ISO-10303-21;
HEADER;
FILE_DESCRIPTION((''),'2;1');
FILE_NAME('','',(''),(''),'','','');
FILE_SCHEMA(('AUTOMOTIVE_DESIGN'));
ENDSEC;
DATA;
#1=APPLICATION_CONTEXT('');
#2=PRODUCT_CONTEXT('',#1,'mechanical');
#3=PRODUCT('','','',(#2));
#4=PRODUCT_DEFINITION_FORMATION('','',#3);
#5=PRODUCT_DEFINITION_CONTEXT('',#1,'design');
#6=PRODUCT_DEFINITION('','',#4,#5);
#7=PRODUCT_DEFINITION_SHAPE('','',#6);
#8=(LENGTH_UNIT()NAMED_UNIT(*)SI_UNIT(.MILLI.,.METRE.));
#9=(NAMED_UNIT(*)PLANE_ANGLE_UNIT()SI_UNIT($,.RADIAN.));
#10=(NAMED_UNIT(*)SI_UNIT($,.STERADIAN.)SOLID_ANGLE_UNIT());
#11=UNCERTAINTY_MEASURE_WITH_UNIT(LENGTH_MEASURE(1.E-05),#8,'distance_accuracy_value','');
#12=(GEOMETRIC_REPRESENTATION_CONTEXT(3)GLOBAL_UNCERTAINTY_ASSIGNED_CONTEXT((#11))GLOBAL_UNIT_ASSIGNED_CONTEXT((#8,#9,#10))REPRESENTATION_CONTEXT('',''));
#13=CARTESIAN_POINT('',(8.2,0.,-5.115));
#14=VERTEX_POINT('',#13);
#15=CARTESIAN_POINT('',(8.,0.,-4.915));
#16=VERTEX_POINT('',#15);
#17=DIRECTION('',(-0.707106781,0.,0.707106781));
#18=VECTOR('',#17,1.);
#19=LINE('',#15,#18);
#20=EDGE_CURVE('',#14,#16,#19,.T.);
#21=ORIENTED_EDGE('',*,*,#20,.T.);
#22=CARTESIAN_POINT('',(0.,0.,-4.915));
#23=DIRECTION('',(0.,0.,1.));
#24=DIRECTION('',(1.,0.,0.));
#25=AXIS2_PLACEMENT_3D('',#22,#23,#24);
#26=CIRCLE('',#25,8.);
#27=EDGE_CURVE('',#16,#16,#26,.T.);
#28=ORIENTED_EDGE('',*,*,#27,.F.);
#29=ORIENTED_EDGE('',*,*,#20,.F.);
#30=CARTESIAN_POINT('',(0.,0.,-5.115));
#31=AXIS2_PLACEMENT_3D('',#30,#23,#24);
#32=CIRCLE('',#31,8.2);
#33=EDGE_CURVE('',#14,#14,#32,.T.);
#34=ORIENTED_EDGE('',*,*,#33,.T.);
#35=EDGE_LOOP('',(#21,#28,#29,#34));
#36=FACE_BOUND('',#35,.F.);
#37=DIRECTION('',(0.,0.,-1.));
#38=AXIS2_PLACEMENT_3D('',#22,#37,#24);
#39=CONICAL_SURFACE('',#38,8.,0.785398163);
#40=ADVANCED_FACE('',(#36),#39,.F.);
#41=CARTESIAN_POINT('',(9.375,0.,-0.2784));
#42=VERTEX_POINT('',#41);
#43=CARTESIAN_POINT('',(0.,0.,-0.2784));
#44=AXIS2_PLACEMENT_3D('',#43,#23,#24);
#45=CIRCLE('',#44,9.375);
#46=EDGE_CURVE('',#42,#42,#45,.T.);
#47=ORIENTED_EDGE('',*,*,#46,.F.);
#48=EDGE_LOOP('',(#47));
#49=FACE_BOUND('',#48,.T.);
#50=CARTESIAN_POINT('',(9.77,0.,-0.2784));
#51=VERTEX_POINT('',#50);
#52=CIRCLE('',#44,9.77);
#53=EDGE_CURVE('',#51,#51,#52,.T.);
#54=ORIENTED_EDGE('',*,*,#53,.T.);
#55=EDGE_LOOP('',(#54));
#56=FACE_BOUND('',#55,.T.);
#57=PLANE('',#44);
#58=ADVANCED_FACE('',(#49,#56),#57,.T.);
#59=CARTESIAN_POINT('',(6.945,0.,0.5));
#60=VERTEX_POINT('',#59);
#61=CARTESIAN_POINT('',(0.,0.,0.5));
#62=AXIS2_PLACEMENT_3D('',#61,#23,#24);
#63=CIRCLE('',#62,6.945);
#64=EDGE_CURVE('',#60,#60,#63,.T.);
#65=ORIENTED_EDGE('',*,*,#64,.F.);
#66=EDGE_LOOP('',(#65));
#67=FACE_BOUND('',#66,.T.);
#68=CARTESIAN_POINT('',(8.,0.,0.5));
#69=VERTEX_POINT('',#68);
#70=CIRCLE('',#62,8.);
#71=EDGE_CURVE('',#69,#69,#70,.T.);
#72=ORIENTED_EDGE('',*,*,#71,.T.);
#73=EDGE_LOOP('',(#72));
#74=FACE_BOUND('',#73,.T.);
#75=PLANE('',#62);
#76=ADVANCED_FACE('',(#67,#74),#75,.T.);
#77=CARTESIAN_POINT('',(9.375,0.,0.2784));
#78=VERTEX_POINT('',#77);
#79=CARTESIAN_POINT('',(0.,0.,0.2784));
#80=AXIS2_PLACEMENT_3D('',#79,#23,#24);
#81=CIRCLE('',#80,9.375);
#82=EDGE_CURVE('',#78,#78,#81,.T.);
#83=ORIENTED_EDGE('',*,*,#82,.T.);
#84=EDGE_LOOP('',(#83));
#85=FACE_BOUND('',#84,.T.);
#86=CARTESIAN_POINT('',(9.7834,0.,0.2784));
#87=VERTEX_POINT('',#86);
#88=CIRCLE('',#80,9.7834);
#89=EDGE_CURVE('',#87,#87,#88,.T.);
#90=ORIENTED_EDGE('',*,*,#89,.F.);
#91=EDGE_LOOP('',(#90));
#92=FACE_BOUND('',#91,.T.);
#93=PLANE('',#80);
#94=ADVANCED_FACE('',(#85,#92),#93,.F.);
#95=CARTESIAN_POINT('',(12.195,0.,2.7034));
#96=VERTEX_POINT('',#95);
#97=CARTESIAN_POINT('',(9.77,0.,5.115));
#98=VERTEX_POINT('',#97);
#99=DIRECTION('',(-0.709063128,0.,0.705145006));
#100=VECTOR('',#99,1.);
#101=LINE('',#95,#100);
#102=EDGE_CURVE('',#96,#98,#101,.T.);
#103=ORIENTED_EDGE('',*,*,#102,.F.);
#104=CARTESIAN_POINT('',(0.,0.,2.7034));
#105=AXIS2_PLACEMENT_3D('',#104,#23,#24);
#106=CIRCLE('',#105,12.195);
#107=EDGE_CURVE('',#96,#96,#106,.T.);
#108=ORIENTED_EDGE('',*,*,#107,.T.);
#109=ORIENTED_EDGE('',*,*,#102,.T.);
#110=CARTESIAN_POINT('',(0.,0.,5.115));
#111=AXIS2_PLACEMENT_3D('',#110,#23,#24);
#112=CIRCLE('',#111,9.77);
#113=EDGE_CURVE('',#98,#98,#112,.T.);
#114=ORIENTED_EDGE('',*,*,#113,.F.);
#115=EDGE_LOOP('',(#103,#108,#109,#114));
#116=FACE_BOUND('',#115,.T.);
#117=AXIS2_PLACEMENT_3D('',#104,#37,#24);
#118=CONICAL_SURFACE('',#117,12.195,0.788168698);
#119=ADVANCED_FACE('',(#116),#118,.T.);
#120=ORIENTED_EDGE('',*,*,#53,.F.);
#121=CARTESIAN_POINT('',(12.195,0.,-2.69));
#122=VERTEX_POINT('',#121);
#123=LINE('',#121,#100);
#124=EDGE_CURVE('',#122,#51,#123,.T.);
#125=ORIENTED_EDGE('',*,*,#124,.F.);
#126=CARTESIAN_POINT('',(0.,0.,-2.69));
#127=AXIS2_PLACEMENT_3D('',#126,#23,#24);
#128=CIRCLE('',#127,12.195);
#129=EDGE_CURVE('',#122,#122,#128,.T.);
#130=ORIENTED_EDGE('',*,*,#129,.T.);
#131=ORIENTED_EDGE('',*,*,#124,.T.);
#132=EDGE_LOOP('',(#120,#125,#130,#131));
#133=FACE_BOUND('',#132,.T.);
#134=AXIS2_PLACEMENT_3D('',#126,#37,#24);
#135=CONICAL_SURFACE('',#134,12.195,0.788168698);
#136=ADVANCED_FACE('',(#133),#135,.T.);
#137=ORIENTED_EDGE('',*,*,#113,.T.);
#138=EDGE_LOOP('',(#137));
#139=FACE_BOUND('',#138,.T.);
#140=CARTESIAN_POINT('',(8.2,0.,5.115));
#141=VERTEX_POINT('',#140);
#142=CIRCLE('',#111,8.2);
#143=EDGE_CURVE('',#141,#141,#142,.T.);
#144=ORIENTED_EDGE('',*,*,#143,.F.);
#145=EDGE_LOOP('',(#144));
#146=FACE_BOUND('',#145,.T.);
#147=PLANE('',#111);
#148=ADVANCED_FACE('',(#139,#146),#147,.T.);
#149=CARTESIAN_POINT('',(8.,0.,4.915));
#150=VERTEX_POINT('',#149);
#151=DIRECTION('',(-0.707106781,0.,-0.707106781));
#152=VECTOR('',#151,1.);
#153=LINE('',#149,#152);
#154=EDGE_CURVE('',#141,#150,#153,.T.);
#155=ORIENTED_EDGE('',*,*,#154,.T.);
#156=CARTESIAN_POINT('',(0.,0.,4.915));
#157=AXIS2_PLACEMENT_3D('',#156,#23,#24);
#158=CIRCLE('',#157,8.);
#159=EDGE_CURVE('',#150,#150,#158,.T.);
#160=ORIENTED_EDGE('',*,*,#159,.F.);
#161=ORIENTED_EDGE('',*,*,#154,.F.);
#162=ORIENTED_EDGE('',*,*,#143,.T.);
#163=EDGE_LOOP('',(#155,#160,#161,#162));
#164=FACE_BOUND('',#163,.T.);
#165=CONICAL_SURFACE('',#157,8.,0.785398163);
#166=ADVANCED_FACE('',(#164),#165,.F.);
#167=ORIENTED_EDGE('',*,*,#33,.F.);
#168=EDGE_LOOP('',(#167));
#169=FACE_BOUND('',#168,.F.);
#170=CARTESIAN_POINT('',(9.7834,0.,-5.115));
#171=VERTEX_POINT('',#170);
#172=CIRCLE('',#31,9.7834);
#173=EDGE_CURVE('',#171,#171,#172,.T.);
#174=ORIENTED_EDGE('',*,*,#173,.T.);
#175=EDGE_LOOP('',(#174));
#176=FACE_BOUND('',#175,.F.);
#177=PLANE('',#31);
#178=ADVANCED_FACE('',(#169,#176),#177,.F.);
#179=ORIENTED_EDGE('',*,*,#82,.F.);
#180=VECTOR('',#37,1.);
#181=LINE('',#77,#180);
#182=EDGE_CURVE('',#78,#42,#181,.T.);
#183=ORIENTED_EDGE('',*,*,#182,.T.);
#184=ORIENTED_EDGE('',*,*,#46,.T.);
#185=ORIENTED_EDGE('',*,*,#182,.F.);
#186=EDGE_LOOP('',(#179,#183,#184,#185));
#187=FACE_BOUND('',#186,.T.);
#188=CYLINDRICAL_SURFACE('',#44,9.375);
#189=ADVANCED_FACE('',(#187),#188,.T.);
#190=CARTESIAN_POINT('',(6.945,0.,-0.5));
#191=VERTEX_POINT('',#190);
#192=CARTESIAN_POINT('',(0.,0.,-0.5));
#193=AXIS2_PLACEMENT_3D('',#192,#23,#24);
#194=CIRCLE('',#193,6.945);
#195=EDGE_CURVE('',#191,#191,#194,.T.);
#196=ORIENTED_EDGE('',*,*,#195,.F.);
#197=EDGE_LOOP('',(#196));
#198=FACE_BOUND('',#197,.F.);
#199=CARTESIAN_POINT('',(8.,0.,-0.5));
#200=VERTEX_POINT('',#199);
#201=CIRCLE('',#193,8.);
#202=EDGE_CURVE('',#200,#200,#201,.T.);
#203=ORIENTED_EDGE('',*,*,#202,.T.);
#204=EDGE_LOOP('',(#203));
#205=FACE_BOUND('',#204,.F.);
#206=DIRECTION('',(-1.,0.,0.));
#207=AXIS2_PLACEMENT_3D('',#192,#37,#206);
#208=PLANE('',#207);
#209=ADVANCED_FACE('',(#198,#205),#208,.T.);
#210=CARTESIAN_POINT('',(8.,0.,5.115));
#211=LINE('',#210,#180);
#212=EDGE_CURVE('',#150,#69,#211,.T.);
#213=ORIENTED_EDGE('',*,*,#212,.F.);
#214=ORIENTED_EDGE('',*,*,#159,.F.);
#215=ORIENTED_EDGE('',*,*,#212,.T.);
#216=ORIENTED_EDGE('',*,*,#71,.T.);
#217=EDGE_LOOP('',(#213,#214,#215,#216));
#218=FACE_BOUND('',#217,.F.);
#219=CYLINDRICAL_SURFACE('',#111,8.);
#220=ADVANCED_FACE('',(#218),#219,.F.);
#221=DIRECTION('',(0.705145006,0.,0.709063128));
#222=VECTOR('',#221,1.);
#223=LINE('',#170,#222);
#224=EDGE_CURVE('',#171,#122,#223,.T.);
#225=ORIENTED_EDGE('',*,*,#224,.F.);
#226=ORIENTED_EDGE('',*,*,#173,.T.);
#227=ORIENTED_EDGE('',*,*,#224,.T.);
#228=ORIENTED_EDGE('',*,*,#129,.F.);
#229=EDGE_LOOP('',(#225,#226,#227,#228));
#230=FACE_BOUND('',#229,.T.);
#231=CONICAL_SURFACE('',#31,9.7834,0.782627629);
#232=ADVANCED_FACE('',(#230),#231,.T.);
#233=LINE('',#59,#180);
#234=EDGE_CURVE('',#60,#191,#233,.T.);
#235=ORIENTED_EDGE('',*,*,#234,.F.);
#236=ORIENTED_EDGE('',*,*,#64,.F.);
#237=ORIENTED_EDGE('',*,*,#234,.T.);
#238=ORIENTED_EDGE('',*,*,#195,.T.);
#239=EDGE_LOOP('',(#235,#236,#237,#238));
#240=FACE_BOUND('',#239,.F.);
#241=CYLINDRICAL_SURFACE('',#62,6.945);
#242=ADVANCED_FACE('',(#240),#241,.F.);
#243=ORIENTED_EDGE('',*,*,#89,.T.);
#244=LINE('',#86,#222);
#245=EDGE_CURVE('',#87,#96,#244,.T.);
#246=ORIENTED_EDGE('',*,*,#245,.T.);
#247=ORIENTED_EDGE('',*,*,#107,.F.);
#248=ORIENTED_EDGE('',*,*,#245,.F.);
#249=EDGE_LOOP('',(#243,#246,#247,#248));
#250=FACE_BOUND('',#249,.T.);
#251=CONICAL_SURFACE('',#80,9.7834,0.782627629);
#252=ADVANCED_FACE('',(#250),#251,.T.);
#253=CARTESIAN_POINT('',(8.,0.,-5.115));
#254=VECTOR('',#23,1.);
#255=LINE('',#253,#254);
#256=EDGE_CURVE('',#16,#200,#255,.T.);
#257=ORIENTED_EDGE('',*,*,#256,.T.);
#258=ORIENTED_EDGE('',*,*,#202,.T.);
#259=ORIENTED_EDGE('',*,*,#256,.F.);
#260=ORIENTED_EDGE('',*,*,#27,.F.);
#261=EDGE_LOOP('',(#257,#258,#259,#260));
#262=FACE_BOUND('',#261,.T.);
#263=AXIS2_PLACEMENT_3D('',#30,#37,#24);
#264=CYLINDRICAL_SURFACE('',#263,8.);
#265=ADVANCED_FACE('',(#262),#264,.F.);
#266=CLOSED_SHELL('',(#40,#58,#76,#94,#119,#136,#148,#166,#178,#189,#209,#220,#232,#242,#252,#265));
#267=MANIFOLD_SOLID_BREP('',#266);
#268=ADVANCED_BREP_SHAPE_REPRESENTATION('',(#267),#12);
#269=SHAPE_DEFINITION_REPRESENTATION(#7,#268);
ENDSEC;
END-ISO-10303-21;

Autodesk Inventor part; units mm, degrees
ref_plane "YZ Plane" through (0, 0, 0) normal (1, 0, 0) x (0, 1, 0)
ref_plane "XZ Plane" through (0, 0, 0) normal (0, 1, 0) x (-1, 0, 0)
ref_plane "XY Plane" through (0, 0, 0) normal (0, 0, 1) x (1, 0, 0)
sketch "Skizze1" plane through (0, 0, 0) normal (0, 0, 1) x (1, 0, 0)
  line L0 (-17.073, 0) -> (17.073, 0) projected
  line L1 (0, -17.073) -> (0, 17.073) projected
  circle A0 centre (0, 0) radius 12.195
  dimension "d0" = 24.39
extrude "Extrusion1" add sketch "Skizze1" along normal mid plane 10.23
sketch "Skizze2" plane through (0, 0, 5.115) normal (0, 0, 1) x (1, 0, 0)
  circle A0 centre (0, 0) radius 12.195 projected
  circle A1 centre (0, 0) radius 8
  dimension "d3" = 16
extrude "Extrusion2" cut sketch "Skizze2" against normal blind 4.615 contours A1
chamfer "Fase1" distance 0.2 angle 45 1 edges at (-8, 0, 5.115)
mirror "Spiegeln1" about plane through (0, 0, 0) normal (0, 0, 1) of "Extrusion2"
chamfer "Fase2" distance 0.2 angle 45 1 edges at (-8, 0, -5.115)
sketch "Skizze3" plane through (0, 0, 0.5) normal (0, 0, 1) x (1, 0, 0)
  circle A0 centre (0, 0) radius 8 projected
  circle A1 centre (0, 0) radius 6.945
  dimension "d12" = 13.89
extrude "Extrusion3" cut sketch "Skizze3" against normal blind 1 contours A1
sketch "Skizze4" plane through (0, 0, 0) normal (0, 1, 0) x (-1, 0, 0)
  line L0 (17.073, 0) -> (-17.073, 0) projected
  line L1 (0, -7.161) -> (0, 7.161) projected
  line L2 (-12.195, -5.115) -> (12.195, -5.115) projected
  line L3 (12.195, 5.115) -> (-12.195, 5.115) projected
  line L4 (-12.195, -5.115) -> (-12.195, 5.115) projected
  line L5 (-12.195, -5.115) -> (12.195, -5.115) projected
  line L6 (-9.7834, -5.115) -> (-12.195, -2.69)
  line L7 (-12.195, -2.69) -> (-9.77, -0.2784)
  line L8 (-9.77, -0.2784) -> (-9.375, -0.2784)
  line L9 (-9.375, -0.2784) -> (-9.375, 0.2784)
  line L10 (-9.375, 0.2784) -> (-9.7834, 0.2784)
  line L11 (-9.7834, 0.2784) -> (-12.195, 2.7034)
  line L12 (-12.195, 2.7034) -> (-9.77, 5.115)
  line L13 (12.195, 5.115) -> (-12.195, 5.115) projected
  point P0 (0, 0)
  dimension "d15" = 3.42
  dimension "d17" = 9.375
  dimension "d18" = 9.77
revolve "Umdrehung1" cut sketch "Skizze4" angle 360 about axis through (0, 0, -10) along (0, 0, 1) contours L9 L8 L7 L4 L0 | L0 L4 L11 L10 L9 | L2 L4 L6 | L12 L4 L3
properties part number "Delrin_Dual_V"
